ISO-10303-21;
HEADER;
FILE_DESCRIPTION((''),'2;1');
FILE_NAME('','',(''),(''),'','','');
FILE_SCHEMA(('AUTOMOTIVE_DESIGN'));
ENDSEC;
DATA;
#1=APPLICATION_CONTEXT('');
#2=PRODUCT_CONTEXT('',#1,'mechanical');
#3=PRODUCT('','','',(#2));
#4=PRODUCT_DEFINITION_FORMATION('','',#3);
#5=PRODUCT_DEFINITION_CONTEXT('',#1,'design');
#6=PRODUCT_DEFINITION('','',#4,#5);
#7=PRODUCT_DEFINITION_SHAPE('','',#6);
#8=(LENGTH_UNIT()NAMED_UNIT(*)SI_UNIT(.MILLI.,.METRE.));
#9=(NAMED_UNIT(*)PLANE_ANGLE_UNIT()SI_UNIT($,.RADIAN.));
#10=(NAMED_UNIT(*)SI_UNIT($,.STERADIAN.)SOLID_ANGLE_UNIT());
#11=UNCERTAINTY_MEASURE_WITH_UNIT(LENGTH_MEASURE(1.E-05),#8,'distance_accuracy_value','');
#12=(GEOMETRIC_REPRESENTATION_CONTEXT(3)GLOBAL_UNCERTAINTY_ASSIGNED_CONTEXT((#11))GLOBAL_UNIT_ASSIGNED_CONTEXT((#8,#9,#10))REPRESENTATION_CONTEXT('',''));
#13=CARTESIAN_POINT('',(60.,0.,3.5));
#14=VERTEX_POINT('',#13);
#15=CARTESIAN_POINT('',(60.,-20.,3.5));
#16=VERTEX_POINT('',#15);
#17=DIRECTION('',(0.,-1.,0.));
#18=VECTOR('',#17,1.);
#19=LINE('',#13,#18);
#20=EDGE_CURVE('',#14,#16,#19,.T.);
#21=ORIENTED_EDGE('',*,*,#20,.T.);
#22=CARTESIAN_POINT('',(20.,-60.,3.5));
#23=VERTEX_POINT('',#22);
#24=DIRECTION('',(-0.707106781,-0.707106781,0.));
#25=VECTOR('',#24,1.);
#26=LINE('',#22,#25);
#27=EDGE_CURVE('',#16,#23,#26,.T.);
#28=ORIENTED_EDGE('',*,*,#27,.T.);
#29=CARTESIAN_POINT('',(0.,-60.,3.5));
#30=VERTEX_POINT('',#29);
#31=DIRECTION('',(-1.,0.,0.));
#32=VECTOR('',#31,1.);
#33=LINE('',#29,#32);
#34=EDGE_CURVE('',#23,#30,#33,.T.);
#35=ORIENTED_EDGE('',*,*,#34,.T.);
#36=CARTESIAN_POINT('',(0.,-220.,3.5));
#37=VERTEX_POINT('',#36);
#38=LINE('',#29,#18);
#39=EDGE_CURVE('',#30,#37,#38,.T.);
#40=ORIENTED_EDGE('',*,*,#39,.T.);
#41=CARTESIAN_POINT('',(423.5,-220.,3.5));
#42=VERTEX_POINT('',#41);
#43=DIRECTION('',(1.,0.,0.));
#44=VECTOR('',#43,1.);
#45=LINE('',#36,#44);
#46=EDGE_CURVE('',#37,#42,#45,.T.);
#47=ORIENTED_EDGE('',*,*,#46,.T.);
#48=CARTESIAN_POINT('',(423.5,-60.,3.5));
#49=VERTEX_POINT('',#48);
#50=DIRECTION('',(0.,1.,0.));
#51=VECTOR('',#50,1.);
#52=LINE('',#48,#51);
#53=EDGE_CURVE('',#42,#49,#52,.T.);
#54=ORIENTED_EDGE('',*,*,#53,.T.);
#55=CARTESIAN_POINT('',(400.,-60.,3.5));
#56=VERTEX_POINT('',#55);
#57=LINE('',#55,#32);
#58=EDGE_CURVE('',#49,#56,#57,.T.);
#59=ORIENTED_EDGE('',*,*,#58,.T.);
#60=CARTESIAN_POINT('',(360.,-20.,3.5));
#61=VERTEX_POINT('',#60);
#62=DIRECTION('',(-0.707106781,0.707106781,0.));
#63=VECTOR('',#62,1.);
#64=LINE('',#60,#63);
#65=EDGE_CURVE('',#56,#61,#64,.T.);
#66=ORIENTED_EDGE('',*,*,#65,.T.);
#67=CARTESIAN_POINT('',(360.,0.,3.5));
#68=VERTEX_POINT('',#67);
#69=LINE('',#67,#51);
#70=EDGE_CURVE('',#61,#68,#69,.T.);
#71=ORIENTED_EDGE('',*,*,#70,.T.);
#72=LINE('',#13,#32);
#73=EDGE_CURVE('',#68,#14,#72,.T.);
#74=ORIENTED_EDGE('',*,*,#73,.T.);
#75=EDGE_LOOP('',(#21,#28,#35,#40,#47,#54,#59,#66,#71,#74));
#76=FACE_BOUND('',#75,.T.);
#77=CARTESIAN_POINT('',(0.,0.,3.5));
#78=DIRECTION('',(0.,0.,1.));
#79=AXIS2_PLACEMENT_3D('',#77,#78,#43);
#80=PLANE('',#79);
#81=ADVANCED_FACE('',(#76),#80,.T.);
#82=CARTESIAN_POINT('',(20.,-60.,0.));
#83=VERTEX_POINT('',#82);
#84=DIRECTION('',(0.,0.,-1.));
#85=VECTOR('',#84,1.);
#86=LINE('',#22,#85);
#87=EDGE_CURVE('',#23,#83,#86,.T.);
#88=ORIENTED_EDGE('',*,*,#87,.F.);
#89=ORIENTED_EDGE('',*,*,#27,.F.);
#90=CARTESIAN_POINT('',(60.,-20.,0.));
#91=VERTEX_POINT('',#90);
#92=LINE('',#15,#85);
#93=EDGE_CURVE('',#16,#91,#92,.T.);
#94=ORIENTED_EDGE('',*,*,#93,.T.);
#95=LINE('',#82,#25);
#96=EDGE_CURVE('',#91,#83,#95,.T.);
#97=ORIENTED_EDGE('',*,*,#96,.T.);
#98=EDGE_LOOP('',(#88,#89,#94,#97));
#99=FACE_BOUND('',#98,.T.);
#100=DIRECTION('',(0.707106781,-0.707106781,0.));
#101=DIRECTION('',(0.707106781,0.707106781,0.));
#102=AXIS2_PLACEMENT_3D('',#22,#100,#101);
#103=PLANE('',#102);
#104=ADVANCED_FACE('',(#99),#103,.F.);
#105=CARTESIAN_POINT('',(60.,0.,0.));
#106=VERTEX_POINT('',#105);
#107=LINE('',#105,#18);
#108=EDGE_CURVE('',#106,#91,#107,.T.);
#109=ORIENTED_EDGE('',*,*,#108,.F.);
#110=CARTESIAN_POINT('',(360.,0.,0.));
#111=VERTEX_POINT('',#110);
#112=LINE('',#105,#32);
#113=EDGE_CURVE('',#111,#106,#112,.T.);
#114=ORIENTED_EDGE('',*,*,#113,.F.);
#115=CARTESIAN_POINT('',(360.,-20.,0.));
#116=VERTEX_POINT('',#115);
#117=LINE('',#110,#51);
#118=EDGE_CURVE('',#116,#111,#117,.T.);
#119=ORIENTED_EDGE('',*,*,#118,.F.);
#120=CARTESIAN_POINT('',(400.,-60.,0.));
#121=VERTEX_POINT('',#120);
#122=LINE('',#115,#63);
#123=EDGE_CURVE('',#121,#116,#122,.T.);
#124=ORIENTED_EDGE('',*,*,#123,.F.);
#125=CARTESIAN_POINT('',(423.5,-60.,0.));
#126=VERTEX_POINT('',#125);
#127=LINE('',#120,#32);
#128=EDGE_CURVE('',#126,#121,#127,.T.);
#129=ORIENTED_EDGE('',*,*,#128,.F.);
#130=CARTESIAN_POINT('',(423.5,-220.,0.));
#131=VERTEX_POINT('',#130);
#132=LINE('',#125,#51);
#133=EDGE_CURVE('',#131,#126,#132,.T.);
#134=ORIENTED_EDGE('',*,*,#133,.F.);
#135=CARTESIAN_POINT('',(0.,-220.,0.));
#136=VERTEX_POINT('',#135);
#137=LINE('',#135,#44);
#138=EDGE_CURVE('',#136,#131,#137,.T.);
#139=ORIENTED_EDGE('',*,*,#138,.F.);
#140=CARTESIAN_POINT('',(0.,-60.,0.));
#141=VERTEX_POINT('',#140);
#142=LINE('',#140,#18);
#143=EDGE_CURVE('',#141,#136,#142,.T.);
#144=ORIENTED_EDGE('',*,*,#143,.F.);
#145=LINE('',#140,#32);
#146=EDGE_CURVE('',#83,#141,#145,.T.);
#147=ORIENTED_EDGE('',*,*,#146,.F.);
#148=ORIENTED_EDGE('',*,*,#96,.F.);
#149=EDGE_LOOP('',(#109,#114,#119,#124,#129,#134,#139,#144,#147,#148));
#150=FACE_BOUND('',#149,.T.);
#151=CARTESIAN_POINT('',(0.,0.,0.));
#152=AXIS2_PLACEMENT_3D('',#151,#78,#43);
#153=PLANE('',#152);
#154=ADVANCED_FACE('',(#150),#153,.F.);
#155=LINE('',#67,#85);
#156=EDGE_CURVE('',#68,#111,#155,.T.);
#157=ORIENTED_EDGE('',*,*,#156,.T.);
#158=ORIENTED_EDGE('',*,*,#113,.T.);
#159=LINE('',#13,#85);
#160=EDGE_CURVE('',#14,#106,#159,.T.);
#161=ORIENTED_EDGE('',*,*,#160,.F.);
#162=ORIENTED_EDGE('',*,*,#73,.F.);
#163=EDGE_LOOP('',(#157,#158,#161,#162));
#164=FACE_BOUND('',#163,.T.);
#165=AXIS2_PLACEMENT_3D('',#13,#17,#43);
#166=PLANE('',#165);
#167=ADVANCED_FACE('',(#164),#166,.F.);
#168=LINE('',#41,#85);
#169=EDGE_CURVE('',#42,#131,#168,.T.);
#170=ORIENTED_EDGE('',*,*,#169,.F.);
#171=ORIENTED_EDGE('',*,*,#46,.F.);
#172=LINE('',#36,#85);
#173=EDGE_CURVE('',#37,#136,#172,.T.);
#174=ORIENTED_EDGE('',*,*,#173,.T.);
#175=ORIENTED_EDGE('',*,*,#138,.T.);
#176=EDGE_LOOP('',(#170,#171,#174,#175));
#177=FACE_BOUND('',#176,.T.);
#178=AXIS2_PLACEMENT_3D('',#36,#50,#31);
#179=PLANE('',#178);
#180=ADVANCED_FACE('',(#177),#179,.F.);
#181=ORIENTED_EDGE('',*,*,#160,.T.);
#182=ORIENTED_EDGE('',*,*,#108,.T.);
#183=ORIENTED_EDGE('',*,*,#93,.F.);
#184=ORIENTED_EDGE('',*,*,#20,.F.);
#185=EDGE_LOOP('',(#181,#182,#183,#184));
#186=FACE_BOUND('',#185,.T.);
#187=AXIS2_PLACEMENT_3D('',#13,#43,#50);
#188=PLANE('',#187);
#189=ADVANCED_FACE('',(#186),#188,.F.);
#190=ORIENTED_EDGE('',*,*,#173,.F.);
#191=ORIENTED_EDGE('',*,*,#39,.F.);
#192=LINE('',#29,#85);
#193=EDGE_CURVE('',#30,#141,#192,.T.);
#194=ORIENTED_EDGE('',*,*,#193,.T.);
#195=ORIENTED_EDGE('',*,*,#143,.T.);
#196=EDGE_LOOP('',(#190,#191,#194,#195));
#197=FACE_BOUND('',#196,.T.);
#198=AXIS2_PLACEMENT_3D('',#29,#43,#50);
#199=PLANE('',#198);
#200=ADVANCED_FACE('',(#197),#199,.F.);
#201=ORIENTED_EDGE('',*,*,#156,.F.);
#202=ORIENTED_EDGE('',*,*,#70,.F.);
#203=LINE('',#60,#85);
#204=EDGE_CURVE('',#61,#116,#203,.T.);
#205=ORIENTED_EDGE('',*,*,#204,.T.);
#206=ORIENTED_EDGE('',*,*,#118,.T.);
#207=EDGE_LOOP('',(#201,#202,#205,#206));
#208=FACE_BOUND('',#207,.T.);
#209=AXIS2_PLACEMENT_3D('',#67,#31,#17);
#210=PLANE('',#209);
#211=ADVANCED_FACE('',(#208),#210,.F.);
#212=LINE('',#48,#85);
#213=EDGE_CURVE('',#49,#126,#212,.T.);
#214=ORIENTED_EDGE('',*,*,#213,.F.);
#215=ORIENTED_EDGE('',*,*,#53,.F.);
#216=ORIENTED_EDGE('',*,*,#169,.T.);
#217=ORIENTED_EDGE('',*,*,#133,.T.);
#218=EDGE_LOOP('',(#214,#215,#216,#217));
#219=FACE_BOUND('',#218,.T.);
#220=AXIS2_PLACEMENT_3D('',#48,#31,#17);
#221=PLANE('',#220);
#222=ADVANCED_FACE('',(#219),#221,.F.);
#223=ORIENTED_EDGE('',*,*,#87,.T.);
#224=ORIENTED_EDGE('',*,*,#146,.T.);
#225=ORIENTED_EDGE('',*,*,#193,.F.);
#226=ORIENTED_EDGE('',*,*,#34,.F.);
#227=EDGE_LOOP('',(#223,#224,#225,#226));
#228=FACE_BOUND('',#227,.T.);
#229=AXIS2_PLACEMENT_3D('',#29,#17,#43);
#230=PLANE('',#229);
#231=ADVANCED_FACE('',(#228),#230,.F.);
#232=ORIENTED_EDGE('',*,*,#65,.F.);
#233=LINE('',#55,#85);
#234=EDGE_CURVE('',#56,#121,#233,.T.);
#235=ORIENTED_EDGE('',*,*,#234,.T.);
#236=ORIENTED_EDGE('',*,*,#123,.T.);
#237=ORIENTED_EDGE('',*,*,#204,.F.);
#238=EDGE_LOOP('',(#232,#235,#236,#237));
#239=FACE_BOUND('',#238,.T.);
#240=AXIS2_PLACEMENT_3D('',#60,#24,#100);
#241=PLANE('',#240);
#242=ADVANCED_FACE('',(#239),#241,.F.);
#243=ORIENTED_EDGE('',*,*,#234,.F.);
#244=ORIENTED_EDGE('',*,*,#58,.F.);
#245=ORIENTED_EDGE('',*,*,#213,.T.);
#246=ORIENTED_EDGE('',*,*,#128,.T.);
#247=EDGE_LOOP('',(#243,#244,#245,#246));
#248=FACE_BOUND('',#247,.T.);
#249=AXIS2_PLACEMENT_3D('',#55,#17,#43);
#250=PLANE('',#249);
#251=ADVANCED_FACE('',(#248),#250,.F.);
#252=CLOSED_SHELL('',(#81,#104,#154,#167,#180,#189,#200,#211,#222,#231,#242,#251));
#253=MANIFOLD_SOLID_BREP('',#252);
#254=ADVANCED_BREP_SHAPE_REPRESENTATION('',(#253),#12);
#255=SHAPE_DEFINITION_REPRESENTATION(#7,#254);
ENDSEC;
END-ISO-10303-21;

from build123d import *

# Parameters (mm, degrees)
BOSS_EXTRUDE1_DEPTH = 3.5


with BuildPart() as part:
    # Sketch1 → Boss-Extrude1 (new body)
    with BuildSketch(Plane.XY):
        Polygon((60, 0), (60, -20), (20, -60), (0, -60), (0, -220), (423.5, -220), (423.5, -60), (400, -60), (360, -20), (360, 0), align=None)
    extrude(amount=BOSS_EXTRUDE1_DEPTH)


solid = part.part
